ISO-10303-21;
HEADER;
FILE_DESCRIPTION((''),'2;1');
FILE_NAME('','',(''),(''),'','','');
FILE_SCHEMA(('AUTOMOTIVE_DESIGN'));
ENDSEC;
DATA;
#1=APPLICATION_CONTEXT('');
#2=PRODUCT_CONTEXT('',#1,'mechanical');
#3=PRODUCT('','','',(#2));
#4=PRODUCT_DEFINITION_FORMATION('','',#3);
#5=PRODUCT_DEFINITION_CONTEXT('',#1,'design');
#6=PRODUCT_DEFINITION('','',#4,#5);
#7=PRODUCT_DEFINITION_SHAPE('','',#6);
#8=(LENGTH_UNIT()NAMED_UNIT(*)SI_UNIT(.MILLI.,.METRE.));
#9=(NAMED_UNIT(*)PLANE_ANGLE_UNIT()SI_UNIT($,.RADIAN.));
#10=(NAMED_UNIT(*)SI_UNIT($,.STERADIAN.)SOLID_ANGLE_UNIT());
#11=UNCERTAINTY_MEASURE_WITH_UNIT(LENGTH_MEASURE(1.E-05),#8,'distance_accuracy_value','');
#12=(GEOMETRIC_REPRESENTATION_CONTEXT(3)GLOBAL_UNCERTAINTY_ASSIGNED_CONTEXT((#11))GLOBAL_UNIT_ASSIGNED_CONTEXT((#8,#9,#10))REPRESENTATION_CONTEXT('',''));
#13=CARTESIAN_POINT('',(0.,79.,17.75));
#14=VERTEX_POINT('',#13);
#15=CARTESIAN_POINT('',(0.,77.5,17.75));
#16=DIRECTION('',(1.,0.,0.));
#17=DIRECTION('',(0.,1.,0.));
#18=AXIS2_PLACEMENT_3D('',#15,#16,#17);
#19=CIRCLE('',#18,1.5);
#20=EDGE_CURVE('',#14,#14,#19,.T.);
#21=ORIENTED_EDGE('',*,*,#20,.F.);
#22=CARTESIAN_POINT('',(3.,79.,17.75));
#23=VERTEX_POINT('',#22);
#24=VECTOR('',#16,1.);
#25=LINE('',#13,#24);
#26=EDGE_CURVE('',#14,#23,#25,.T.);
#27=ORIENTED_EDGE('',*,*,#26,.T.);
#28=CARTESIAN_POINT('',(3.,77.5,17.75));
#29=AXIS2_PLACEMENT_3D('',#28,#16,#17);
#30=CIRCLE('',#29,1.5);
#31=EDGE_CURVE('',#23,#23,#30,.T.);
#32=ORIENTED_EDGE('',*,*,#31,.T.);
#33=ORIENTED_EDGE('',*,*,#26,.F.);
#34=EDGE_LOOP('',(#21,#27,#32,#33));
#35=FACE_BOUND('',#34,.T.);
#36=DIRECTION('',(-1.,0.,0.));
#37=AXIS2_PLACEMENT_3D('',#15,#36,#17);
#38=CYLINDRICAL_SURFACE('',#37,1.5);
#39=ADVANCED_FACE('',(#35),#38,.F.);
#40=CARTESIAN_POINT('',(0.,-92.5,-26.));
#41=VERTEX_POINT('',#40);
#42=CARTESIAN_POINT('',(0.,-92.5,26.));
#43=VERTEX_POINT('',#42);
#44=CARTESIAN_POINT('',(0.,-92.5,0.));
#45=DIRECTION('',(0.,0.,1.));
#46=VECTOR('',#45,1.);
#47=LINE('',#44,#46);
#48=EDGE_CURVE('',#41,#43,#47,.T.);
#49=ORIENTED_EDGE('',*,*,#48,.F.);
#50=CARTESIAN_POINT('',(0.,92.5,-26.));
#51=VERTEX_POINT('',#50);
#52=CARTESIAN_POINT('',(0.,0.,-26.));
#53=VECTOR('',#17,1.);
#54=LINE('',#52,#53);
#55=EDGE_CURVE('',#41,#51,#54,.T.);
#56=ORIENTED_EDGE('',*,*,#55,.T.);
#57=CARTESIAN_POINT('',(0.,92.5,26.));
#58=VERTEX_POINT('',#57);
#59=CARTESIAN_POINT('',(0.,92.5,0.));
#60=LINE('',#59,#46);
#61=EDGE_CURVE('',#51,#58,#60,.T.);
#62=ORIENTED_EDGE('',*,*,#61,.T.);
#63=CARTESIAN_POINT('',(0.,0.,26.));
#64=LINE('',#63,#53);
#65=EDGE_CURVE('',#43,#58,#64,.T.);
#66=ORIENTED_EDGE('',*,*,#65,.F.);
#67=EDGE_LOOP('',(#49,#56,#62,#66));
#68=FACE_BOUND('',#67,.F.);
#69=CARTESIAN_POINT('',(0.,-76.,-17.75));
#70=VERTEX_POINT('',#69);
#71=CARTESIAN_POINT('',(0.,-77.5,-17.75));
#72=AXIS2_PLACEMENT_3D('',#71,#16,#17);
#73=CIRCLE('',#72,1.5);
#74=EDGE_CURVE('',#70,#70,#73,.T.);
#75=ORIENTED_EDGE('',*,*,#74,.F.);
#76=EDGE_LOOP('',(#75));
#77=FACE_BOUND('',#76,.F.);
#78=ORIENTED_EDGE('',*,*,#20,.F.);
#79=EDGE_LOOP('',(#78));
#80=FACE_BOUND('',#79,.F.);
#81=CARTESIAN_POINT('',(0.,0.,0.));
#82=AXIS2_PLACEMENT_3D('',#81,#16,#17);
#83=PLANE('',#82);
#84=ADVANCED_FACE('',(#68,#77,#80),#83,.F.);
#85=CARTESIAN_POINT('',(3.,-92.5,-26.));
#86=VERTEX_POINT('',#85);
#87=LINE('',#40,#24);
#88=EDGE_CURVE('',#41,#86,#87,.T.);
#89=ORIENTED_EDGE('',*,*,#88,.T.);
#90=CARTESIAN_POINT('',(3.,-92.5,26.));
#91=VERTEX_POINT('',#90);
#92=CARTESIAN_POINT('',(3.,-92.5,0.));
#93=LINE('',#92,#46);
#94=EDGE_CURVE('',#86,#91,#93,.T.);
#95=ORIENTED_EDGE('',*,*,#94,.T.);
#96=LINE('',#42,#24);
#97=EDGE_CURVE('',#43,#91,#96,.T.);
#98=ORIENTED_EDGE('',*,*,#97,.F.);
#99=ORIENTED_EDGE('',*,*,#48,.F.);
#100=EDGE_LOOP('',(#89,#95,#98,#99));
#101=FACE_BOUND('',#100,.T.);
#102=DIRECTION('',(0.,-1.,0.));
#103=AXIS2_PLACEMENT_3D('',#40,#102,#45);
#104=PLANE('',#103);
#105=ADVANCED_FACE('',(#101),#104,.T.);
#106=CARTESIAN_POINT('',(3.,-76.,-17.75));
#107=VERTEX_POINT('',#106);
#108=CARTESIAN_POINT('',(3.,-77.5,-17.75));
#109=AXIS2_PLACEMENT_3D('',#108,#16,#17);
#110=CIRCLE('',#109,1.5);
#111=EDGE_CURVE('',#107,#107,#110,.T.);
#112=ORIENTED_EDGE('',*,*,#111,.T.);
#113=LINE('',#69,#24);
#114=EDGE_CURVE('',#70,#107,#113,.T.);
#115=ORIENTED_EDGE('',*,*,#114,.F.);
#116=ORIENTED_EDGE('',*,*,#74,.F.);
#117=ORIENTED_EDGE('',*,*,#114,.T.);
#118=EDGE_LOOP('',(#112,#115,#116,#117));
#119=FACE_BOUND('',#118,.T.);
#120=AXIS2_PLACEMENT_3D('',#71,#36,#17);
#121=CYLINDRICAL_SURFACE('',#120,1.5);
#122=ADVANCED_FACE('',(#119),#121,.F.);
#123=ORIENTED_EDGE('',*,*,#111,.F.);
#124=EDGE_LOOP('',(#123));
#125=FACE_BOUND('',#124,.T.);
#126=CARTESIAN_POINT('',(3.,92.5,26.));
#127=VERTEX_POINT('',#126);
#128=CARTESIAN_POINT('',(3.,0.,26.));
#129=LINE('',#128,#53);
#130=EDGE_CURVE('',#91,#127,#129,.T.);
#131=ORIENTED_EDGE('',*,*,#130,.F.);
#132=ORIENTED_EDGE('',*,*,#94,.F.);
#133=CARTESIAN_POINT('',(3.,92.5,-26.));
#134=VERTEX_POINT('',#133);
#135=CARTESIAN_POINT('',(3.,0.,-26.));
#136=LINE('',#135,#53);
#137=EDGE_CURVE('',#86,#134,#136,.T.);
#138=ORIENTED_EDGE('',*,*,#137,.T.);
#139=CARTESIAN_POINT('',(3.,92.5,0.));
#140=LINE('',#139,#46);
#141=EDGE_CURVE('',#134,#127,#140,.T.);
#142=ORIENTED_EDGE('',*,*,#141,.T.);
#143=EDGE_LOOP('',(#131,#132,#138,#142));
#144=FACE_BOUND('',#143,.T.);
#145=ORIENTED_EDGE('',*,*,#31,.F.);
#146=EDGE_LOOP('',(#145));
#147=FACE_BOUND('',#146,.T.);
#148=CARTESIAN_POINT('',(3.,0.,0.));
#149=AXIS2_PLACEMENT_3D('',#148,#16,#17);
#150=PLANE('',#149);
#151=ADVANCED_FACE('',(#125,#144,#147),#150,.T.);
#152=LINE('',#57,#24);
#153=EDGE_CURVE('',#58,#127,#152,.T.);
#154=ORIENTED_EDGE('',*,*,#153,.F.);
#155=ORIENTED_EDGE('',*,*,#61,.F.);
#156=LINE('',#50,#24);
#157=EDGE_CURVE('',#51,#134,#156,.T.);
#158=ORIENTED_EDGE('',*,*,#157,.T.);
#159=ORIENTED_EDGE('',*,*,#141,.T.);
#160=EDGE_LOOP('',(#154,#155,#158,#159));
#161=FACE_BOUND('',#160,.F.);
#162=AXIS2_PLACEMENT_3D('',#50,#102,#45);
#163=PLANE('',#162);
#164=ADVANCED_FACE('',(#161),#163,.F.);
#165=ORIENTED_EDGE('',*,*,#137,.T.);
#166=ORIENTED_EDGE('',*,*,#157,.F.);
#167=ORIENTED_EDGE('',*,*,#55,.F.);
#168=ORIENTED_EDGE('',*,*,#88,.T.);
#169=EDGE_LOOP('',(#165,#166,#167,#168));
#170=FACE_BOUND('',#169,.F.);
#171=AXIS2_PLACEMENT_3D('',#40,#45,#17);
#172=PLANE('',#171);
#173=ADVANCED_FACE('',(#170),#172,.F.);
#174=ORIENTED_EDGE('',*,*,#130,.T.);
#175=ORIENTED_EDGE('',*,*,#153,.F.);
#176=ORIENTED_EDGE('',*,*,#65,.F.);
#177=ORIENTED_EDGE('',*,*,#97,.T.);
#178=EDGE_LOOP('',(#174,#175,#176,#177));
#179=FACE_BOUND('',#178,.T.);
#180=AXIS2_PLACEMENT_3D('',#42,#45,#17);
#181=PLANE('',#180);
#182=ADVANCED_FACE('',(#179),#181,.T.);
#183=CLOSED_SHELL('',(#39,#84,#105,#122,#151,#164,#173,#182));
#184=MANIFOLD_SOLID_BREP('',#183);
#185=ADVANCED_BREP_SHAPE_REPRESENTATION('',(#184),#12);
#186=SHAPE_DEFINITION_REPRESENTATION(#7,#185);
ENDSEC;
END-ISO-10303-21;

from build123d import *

# Parameters (mm, degrees)
SKETCH_W  = 185
SKETCH_H  = 52
SKETCH_R  = 1.5
PAD_DEPTH = 3


with BuildPart() as part:
    # Sketch → Pad (new body)
    with BuildSketch(Plane.YZ):
        Rectangle(SKETCH_W, SKETCH_H)
        with Locations((-77.5, -17.75)):
            Circle(SKETCH_R, mode=Mode.SUBTRACT)
        with Locations((77.5, 17.75)):
            Circle(SKETCH_R, mode=Mode.SUBTRACT)
    extrude(amount=PAD_DEPTH)


solid = part.part
